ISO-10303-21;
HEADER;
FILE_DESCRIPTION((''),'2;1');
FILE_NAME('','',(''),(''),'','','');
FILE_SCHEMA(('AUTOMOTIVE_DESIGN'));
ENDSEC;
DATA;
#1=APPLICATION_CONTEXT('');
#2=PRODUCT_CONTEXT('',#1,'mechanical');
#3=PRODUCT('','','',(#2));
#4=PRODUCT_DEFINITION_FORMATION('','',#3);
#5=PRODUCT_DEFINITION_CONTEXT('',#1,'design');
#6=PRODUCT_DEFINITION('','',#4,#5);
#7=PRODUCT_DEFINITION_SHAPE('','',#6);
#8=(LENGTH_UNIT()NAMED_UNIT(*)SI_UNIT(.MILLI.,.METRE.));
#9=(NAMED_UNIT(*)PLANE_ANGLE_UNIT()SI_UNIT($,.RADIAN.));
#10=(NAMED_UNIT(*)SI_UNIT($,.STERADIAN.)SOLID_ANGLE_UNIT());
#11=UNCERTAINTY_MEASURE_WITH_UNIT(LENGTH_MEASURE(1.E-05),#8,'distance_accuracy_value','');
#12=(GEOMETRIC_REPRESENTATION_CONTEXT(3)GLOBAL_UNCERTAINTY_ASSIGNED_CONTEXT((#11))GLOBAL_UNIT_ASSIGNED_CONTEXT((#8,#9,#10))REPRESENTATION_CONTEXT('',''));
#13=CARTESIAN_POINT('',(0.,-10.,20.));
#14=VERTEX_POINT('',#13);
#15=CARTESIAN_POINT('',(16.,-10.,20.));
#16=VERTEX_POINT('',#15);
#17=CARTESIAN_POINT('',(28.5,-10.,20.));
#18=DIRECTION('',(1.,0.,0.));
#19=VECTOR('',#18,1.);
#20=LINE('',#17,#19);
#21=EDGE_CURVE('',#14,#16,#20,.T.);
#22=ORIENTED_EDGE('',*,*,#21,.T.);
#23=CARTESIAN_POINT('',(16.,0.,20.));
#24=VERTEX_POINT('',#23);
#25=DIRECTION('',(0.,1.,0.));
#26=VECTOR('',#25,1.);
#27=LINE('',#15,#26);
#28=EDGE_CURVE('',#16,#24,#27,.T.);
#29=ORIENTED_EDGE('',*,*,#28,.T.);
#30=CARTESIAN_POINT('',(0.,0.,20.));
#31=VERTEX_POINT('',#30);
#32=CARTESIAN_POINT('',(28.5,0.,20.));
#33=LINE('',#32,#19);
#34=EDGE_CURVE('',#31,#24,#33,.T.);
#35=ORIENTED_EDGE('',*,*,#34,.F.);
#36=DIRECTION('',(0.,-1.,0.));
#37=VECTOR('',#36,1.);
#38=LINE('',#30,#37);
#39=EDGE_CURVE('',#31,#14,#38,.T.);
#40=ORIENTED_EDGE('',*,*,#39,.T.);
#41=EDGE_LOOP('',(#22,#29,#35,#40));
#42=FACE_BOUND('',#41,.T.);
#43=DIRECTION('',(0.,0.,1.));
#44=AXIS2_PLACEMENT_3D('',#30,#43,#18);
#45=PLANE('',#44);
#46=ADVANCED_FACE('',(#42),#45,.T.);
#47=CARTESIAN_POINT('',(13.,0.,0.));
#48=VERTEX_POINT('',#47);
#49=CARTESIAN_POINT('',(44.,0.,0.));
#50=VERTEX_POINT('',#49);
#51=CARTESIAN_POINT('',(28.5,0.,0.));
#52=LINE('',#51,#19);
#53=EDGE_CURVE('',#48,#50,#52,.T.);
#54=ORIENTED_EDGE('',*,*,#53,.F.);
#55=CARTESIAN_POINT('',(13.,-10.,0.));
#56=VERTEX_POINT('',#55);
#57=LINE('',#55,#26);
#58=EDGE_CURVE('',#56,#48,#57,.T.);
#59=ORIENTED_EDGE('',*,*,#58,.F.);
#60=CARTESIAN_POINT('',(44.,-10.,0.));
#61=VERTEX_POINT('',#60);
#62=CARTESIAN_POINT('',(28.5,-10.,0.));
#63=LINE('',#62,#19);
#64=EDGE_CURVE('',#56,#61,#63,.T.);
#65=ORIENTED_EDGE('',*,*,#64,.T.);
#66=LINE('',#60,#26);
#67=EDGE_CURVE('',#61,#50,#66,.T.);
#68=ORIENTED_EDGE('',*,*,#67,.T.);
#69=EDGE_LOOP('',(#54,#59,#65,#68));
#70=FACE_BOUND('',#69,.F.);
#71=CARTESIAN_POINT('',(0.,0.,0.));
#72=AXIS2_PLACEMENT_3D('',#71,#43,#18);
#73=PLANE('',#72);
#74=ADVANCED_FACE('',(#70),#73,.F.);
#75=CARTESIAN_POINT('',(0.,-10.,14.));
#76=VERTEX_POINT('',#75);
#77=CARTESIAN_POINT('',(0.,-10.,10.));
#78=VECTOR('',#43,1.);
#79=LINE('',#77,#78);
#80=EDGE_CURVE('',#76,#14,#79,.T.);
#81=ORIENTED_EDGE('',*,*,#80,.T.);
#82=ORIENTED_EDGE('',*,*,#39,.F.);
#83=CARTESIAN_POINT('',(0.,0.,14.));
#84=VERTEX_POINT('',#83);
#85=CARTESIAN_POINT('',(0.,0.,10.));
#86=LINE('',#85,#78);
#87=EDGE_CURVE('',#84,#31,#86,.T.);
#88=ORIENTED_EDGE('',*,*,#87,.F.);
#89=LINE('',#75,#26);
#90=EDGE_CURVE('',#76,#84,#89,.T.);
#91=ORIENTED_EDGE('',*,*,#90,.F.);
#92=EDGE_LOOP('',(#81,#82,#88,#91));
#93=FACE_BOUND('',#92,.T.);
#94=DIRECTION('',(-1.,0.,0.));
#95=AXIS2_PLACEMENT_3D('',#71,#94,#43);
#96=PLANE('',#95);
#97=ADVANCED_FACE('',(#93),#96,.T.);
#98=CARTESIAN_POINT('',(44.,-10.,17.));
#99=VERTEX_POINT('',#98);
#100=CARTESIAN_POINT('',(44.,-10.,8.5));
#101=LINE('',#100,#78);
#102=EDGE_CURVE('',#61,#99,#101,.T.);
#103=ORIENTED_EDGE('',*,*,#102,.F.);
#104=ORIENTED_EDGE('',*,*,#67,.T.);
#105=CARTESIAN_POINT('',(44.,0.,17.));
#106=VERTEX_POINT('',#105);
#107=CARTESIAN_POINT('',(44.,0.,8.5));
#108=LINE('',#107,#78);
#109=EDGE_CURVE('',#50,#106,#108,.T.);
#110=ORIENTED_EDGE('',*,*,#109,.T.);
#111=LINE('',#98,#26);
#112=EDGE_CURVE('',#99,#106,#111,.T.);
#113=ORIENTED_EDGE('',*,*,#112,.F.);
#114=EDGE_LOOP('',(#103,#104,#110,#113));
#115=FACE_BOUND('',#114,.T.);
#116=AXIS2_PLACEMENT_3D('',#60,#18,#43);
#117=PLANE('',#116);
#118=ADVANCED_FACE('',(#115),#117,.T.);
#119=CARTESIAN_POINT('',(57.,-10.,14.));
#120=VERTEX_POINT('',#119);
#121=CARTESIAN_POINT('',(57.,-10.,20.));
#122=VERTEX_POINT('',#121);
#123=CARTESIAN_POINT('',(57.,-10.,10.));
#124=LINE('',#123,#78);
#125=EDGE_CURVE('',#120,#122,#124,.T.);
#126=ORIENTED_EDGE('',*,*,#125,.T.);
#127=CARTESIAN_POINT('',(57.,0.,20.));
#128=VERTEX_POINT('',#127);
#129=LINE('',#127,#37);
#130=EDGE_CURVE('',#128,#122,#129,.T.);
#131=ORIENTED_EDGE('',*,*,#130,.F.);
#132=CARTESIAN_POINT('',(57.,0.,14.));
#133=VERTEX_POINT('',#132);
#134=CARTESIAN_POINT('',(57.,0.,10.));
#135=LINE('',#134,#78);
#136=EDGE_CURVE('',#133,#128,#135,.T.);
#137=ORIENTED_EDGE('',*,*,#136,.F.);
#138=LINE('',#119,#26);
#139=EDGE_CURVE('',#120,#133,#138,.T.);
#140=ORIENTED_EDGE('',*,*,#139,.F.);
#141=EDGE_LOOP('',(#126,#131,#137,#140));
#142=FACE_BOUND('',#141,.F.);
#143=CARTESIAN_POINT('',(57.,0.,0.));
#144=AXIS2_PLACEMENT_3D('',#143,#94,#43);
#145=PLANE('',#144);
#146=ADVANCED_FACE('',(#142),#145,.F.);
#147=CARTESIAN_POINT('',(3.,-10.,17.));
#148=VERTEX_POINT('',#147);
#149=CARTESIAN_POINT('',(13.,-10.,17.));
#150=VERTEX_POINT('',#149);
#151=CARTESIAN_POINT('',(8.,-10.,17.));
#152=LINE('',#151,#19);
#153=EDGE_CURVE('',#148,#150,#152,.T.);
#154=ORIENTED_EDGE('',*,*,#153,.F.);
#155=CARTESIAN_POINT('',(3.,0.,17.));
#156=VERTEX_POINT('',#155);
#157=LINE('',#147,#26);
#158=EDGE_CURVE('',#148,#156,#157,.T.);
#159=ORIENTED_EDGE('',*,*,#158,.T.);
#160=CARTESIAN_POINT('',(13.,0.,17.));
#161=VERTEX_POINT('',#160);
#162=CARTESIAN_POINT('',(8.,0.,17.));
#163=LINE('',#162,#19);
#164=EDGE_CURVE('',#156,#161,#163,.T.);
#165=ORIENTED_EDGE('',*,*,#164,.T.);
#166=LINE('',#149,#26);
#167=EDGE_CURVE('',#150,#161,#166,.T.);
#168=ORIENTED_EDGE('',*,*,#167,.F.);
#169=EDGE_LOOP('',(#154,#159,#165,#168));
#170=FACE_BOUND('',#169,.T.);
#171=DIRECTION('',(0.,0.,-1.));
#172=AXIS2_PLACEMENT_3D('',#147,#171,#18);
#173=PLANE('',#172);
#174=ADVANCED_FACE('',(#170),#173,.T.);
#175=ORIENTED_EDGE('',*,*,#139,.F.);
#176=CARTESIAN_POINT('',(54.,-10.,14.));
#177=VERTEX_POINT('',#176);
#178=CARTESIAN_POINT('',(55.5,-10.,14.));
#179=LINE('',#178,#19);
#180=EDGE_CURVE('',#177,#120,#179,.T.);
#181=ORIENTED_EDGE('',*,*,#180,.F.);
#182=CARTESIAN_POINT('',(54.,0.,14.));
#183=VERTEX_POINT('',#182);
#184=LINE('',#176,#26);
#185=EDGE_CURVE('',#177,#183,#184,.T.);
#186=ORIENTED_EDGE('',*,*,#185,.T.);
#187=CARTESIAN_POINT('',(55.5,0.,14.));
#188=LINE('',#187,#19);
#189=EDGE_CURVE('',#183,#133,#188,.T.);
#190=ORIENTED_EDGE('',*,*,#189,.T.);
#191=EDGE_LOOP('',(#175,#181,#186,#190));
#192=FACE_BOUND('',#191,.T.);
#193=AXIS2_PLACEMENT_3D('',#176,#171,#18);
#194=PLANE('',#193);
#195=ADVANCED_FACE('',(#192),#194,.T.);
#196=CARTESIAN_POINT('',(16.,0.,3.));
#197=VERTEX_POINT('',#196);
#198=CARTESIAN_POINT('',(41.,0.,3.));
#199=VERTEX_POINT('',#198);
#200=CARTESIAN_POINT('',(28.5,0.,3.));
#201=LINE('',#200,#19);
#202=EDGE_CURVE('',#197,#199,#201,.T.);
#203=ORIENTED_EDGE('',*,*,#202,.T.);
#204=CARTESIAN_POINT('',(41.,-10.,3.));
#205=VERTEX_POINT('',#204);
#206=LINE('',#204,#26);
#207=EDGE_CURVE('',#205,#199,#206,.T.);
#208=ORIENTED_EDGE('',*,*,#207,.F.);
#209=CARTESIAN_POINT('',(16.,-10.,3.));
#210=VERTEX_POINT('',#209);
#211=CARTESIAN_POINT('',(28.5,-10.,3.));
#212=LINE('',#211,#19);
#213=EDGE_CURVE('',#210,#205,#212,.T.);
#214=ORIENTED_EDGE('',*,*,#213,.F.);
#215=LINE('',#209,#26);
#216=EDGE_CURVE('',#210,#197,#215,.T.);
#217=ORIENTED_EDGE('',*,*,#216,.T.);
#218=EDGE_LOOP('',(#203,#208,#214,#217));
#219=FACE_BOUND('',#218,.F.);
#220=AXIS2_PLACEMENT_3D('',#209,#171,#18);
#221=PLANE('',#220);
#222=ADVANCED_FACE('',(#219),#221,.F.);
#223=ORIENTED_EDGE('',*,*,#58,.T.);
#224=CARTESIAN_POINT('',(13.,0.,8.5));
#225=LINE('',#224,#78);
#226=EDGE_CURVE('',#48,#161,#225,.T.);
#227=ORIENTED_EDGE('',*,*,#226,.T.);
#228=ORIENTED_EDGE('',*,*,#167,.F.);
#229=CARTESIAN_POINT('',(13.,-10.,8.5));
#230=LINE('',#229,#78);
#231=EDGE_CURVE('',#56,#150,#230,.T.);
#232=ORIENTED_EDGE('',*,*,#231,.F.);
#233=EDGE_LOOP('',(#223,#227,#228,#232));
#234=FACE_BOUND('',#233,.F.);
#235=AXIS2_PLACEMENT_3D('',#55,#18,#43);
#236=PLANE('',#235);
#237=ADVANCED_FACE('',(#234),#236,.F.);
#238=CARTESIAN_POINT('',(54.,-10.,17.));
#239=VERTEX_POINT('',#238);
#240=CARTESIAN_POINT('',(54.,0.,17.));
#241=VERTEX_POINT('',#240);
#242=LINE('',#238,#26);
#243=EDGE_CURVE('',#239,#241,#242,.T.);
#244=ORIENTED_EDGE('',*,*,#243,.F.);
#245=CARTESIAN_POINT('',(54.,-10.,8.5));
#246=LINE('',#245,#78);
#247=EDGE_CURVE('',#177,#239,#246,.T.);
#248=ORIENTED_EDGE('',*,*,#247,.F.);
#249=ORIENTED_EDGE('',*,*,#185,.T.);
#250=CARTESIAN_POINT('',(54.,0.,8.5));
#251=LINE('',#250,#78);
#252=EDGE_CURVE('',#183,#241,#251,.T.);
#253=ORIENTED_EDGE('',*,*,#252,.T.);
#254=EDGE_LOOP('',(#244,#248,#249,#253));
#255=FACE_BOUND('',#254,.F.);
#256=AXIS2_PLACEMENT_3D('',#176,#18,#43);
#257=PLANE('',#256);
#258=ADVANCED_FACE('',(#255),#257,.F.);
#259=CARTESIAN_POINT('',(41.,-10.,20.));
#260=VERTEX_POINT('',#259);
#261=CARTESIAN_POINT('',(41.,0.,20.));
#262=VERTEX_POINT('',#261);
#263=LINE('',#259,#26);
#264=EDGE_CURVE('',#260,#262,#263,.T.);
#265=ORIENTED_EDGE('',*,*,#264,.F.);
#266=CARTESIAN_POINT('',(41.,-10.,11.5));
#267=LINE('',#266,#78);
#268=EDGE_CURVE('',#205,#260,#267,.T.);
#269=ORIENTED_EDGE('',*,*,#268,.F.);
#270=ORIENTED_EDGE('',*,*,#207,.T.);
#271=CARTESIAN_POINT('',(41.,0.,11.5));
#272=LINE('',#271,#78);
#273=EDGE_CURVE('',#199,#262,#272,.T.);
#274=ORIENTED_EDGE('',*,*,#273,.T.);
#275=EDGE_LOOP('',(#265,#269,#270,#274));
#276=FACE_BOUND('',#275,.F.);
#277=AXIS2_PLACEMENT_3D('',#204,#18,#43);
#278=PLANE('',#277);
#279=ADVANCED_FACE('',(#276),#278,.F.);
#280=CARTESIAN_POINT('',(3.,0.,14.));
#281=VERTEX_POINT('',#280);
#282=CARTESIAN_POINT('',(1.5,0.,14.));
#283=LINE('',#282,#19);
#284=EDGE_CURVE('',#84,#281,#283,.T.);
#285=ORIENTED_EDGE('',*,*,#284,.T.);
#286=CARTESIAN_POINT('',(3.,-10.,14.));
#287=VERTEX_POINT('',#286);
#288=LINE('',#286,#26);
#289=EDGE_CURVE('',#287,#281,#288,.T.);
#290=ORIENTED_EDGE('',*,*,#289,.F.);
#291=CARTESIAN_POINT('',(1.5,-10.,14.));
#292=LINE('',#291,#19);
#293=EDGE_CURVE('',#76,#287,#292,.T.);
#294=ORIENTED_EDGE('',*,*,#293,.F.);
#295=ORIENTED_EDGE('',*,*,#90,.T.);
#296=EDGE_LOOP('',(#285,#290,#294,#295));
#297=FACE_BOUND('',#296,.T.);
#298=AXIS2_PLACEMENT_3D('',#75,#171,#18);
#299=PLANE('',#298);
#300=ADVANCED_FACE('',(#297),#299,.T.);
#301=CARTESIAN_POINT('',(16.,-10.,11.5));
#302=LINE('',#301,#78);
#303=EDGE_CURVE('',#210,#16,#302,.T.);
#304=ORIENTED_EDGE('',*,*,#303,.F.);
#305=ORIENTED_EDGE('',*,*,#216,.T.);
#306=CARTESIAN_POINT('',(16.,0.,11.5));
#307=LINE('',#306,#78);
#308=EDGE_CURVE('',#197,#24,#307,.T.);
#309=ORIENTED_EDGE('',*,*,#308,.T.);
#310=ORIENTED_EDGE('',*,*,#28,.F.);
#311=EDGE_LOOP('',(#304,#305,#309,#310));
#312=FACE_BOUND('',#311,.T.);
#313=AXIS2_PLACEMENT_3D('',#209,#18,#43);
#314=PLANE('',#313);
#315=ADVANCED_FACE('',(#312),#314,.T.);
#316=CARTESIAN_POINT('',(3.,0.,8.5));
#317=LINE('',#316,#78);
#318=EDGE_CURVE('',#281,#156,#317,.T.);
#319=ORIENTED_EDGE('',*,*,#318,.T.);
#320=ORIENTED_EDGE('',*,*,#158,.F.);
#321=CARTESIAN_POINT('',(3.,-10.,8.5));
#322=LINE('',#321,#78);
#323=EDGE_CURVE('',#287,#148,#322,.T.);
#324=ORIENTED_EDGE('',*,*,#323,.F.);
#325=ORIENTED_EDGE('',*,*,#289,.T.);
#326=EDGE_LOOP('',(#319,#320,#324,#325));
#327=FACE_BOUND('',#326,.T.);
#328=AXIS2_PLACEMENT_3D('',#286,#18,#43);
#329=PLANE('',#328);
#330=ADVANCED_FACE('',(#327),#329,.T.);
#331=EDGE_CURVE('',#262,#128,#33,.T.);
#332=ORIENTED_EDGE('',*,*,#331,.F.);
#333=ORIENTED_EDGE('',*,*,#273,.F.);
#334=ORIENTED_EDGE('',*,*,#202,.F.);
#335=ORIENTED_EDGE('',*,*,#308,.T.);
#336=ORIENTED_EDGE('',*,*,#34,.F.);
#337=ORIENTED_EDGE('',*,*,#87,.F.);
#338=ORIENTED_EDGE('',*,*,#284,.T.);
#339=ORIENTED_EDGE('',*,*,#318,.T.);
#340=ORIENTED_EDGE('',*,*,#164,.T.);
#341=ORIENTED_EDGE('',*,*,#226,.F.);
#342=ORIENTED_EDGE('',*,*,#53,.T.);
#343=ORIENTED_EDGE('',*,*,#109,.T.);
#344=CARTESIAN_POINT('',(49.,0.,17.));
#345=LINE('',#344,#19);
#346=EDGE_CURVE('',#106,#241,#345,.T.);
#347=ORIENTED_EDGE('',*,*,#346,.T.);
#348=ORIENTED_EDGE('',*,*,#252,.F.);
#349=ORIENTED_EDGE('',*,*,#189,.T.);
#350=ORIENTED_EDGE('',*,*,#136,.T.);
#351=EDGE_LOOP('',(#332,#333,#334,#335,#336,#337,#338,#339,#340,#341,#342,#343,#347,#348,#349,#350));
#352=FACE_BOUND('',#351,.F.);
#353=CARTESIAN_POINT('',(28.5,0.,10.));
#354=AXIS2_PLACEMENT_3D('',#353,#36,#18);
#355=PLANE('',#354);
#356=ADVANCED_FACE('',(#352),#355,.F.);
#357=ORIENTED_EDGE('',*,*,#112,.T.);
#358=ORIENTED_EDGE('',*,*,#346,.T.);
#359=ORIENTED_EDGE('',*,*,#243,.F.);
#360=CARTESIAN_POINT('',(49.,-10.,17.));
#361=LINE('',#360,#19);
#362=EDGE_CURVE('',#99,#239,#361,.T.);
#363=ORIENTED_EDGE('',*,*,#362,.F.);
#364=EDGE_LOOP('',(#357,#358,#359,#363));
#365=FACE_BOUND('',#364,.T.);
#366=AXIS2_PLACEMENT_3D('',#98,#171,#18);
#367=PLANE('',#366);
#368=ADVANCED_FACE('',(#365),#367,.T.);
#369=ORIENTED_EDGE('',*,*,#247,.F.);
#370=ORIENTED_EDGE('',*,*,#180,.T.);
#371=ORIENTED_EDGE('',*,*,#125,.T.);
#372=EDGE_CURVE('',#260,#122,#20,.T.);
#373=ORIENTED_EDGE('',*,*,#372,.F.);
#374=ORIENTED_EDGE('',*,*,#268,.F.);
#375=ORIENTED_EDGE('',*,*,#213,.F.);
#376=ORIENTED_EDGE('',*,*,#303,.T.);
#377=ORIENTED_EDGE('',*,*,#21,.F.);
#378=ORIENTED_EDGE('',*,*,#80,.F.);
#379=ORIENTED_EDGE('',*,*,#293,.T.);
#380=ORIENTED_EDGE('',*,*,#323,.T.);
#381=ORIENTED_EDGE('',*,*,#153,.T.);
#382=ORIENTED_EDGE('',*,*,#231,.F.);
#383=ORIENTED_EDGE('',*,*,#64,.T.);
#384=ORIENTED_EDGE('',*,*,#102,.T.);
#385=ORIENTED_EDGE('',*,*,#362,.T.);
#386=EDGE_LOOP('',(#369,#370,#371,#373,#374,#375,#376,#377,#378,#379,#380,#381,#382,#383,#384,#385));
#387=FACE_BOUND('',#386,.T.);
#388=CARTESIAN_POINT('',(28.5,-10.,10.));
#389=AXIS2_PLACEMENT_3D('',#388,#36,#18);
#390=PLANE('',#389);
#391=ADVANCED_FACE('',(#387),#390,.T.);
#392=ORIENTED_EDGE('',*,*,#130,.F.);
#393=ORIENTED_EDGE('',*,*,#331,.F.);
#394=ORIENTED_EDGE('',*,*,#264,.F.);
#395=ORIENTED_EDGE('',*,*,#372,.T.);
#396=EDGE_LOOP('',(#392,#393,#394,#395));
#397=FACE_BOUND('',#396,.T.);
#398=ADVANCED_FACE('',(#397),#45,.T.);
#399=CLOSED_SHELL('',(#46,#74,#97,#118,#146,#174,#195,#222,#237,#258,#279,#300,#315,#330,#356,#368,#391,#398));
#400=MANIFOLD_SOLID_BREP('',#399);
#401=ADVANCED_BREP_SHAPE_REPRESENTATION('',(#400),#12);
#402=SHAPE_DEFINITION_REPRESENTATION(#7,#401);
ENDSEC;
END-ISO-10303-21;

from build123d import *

# Parameters (mm, degrees)
SKETCH_W      = 57
SKETCH_H      = 20
PAD_DEPTH     = 10
SKETCH001_W   = 10
SKETCH001_H   = 17
SKETCH001_W_2 = 3
SKETCH001_H_2 = 14
SKETCH001_W_3 = 25
POCKET_DEPTH  = 10


with BuildPart() as part:
    # Sketch → Pad (new body)
    with BuildSketch(Plane.XZ):
        with Locations((28.5, 10)):
            Rectangle(SKETCH_W, SKETCH_H)
    extrude(amount=PAD_DEPTH)

    # Sketch001 (on Face6 of Pad) → Pocket (cut)
    with BuildSketch(Plane.XZ.offset(10)):
        with Locations((8, 8.5)):
            Rectangle(SKETCH001_W, SKETCH001_H)
        with Locations((1.5, 7)):
            Rectangle(SKETCH001_W_2, SKETCH001_H_2)
        with Locations((28.5, 11.5)):
            Rectangle(SKETCH001_W_3, SKETCH001_H)
        with Locations((49, 8.5)):
            Rectangle(SKETCH001_W, SKETCH001_H)
        with Locations((55.5, 7)):
            Rectangle(SKETCH001_W_2, SKETCH001_H_2)
    extrude(amount=-POCKET_DEPTH, mode=Mode.SUBTRACT)


solid = part.part
